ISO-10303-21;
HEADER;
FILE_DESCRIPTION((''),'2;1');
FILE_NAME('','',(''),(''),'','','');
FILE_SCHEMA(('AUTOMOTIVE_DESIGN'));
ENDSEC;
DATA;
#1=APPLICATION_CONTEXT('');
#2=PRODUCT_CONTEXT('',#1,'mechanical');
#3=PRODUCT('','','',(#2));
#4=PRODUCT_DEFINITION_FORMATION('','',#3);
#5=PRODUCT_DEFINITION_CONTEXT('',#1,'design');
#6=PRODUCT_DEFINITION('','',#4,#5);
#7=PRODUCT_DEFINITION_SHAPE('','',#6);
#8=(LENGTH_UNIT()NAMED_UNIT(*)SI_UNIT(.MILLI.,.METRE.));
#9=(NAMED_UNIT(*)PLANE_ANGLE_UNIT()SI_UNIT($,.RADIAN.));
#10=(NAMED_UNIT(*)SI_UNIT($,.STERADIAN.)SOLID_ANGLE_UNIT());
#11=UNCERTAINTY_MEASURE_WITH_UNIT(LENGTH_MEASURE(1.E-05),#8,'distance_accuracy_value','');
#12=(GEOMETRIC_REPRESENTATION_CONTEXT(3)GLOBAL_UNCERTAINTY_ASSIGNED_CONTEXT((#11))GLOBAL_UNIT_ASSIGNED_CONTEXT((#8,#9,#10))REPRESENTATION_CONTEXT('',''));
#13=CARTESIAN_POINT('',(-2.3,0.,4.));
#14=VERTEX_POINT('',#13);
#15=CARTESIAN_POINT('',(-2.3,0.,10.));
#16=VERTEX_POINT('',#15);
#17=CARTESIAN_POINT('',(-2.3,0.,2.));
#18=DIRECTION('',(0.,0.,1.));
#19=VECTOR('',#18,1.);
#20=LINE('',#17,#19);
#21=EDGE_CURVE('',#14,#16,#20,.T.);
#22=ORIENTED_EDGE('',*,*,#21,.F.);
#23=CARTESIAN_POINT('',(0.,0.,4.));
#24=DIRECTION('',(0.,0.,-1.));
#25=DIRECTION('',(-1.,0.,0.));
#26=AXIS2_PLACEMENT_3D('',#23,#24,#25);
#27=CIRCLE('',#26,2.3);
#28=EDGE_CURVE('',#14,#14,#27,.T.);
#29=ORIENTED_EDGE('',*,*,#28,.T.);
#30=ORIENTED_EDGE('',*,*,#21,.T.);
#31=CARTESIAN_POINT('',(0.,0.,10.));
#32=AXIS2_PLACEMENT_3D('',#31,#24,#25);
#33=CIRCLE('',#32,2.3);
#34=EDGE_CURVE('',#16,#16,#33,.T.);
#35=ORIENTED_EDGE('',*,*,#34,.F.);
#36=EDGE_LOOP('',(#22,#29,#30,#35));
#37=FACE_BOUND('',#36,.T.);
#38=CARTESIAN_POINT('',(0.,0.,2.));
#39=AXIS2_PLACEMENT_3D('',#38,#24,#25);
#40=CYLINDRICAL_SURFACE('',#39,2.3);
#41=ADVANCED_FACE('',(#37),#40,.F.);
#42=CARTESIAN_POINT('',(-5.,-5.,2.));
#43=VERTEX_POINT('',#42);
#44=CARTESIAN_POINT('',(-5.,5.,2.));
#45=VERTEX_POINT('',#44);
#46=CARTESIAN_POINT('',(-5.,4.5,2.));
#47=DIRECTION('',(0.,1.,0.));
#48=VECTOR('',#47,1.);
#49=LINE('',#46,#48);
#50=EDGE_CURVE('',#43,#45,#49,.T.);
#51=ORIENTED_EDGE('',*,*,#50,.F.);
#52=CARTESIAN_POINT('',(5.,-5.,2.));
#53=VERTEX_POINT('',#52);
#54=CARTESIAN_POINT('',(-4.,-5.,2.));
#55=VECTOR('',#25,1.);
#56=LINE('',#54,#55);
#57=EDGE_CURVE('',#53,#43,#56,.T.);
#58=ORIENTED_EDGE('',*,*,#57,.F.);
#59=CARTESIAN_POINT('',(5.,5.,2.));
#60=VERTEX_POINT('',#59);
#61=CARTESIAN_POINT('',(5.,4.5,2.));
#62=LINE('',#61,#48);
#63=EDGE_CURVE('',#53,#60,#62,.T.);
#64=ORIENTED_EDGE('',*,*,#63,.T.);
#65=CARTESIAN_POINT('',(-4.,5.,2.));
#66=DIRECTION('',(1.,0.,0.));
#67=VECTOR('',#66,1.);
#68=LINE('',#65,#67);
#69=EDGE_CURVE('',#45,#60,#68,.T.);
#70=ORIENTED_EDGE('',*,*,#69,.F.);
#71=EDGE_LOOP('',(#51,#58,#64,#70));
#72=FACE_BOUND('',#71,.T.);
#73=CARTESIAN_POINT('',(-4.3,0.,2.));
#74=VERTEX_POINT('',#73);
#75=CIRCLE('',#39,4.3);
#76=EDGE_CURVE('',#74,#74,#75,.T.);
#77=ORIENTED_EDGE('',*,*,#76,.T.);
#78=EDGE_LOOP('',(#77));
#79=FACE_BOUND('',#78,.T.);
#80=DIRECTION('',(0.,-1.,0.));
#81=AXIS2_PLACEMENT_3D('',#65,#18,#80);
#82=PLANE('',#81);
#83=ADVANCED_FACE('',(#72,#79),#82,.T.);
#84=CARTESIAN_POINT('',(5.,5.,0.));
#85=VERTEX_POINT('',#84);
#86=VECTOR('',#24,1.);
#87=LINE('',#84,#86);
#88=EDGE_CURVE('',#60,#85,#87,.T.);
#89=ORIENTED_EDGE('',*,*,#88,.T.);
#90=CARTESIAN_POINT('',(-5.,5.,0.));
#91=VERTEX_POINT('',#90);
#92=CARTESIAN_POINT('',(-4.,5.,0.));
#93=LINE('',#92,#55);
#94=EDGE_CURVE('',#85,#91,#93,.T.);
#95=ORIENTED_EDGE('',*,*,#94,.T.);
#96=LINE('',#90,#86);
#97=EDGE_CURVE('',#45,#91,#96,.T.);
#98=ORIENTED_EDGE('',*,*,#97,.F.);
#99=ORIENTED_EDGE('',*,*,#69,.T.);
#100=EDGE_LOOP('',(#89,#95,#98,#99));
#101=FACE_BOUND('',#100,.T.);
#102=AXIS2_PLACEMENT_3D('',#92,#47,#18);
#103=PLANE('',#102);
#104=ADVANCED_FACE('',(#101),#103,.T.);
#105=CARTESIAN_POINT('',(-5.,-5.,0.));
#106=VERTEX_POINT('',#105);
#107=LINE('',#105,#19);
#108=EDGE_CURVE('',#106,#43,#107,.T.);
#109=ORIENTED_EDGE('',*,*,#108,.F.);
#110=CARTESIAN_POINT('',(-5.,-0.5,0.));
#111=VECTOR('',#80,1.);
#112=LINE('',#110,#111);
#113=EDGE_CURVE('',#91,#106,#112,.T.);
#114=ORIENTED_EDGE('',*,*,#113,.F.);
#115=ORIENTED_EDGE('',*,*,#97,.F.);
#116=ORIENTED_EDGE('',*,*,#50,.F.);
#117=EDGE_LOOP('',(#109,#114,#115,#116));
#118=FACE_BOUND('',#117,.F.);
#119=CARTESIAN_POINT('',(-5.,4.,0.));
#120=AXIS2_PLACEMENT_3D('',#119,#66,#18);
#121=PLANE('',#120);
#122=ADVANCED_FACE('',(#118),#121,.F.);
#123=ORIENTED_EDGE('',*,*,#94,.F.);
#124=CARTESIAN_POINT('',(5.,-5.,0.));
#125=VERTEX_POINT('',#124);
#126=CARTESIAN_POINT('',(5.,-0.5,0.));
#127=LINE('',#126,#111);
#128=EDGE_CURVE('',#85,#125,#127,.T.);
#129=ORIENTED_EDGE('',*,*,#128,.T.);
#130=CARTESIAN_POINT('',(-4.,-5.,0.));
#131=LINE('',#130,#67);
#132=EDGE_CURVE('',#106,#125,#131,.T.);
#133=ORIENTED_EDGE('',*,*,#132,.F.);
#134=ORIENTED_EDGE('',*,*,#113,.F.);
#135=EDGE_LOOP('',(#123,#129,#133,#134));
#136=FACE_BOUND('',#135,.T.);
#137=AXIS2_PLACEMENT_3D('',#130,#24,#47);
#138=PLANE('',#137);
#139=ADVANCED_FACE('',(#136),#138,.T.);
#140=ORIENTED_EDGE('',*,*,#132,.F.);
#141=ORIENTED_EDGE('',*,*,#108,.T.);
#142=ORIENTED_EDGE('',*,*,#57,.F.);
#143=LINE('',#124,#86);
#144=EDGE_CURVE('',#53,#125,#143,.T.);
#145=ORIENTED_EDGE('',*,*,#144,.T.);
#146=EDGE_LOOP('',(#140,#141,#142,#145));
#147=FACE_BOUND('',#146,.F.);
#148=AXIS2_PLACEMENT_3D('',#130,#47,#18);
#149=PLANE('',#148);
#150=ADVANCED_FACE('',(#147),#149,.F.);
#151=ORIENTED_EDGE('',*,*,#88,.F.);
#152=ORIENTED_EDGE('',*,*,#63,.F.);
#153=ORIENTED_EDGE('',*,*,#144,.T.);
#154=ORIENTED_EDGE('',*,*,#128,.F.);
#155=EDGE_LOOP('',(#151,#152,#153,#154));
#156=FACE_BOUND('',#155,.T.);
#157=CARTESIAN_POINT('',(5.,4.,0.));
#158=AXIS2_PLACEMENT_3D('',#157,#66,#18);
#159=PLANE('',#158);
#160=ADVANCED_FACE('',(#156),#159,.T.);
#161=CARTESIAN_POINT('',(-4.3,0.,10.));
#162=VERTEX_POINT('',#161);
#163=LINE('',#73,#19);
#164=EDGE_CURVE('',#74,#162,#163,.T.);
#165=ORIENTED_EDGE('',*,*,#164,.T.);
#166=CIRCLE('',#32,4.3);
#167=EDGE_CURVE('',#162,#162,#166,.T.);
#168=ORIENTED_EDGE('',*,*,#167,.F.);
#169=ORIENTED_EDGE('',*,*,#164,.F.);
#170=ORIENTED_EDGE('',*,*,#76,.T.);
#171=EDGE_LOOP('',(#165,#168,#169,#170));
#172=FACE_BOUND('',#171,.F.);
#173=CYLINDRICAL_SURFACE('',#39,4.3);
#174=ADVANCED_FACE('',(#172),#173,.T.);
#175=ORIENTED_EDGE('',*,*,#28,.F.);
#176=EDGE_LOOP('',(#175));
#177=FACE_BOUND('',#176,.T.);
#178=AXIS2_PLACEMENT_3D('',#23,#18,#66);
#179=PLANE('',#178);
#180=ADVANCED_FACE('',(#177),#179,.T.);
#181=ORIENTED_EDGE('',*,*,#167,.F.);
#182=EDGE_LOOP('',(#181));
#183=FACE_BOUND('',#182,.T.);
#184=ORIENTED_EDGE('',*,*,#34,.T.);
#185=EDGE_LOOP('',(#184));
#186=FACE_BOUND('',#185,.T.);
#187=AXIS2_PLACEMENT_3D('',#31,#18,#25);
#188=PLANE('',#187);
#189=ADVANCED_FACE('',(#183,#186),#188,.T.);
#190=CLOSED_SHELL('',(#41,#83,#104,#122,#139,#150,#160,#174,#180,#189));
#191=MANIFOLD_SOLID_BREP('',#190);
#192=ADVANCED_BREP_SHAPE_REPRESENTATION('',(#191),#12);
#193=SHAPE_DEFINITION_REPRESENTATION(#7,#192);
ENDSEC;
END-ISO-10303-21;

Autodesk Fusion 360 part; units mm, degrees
sketch "Skizze1" plane through (0, 0, 0) normal (0, 0, 1) x (1, 0, 0)
  line L0 (-4, 4) -> (4, 4)
  line L1 (4, 4) -> (4, -4)
  line L2 (4, -4) -> (-4, -4)
  line L3 (-4, -4) -> (-4, 4)
  line L4 (-4, 4) -> (4, -4) construction
  line L5 (4, 4) -> (-4, -4) construction
  dimension "d1" = 8
  dimension "d2" = 8
extrude "Extrusion1" add sketch "Skizze1" along normal blind 2
sketch "Skizze2" plane through (0, 0, 2) normal (0, 0, 1) x (-1, 0, 0)
  line L0 (4, 4) -> (-4, 4)
  line L1 (-4, 4) -> (-4, -4)
  line L2 (-4, -4) -> (4, -4)
  line L3 (4, -4) -> (4, 4)
  circle A0 centre (0, 0) radius 2.3
  circle A1 centre (0, 0) radius 3.3
  dimension "d5" = 4.6
  dimension "d6" = 6.6
extrude "Extrusion2" add sketch "Skizze2" along normal blind 8 contours A1
extrude "Extrusion3" add 1 faces at (0.6334, 0.4319, 2) along direction (0, 0, 1) blind 2
extrude "Extrusion4" add 1 faces at (1.3333, -4, 0.6667) along direction (0, -1, 0) blind 1
extrude "Extrusion5" add 1 faces at (4, 1, 0.6667) along direction (1, 0, 0) blind 1
extrude "Extrusion6" add 1 faces at (2, 4, 1.3333) along direction (0, 1, 0) blind 1
extrude "Extrusion7" add 1 faces at (-4, 1.6667, 0.6667) along direction (-1, 0, 0) blind 1
move_face "Flächen versetzen1" offset 1 1 faces at (-3.2959, 0.1645, 7.3333)
